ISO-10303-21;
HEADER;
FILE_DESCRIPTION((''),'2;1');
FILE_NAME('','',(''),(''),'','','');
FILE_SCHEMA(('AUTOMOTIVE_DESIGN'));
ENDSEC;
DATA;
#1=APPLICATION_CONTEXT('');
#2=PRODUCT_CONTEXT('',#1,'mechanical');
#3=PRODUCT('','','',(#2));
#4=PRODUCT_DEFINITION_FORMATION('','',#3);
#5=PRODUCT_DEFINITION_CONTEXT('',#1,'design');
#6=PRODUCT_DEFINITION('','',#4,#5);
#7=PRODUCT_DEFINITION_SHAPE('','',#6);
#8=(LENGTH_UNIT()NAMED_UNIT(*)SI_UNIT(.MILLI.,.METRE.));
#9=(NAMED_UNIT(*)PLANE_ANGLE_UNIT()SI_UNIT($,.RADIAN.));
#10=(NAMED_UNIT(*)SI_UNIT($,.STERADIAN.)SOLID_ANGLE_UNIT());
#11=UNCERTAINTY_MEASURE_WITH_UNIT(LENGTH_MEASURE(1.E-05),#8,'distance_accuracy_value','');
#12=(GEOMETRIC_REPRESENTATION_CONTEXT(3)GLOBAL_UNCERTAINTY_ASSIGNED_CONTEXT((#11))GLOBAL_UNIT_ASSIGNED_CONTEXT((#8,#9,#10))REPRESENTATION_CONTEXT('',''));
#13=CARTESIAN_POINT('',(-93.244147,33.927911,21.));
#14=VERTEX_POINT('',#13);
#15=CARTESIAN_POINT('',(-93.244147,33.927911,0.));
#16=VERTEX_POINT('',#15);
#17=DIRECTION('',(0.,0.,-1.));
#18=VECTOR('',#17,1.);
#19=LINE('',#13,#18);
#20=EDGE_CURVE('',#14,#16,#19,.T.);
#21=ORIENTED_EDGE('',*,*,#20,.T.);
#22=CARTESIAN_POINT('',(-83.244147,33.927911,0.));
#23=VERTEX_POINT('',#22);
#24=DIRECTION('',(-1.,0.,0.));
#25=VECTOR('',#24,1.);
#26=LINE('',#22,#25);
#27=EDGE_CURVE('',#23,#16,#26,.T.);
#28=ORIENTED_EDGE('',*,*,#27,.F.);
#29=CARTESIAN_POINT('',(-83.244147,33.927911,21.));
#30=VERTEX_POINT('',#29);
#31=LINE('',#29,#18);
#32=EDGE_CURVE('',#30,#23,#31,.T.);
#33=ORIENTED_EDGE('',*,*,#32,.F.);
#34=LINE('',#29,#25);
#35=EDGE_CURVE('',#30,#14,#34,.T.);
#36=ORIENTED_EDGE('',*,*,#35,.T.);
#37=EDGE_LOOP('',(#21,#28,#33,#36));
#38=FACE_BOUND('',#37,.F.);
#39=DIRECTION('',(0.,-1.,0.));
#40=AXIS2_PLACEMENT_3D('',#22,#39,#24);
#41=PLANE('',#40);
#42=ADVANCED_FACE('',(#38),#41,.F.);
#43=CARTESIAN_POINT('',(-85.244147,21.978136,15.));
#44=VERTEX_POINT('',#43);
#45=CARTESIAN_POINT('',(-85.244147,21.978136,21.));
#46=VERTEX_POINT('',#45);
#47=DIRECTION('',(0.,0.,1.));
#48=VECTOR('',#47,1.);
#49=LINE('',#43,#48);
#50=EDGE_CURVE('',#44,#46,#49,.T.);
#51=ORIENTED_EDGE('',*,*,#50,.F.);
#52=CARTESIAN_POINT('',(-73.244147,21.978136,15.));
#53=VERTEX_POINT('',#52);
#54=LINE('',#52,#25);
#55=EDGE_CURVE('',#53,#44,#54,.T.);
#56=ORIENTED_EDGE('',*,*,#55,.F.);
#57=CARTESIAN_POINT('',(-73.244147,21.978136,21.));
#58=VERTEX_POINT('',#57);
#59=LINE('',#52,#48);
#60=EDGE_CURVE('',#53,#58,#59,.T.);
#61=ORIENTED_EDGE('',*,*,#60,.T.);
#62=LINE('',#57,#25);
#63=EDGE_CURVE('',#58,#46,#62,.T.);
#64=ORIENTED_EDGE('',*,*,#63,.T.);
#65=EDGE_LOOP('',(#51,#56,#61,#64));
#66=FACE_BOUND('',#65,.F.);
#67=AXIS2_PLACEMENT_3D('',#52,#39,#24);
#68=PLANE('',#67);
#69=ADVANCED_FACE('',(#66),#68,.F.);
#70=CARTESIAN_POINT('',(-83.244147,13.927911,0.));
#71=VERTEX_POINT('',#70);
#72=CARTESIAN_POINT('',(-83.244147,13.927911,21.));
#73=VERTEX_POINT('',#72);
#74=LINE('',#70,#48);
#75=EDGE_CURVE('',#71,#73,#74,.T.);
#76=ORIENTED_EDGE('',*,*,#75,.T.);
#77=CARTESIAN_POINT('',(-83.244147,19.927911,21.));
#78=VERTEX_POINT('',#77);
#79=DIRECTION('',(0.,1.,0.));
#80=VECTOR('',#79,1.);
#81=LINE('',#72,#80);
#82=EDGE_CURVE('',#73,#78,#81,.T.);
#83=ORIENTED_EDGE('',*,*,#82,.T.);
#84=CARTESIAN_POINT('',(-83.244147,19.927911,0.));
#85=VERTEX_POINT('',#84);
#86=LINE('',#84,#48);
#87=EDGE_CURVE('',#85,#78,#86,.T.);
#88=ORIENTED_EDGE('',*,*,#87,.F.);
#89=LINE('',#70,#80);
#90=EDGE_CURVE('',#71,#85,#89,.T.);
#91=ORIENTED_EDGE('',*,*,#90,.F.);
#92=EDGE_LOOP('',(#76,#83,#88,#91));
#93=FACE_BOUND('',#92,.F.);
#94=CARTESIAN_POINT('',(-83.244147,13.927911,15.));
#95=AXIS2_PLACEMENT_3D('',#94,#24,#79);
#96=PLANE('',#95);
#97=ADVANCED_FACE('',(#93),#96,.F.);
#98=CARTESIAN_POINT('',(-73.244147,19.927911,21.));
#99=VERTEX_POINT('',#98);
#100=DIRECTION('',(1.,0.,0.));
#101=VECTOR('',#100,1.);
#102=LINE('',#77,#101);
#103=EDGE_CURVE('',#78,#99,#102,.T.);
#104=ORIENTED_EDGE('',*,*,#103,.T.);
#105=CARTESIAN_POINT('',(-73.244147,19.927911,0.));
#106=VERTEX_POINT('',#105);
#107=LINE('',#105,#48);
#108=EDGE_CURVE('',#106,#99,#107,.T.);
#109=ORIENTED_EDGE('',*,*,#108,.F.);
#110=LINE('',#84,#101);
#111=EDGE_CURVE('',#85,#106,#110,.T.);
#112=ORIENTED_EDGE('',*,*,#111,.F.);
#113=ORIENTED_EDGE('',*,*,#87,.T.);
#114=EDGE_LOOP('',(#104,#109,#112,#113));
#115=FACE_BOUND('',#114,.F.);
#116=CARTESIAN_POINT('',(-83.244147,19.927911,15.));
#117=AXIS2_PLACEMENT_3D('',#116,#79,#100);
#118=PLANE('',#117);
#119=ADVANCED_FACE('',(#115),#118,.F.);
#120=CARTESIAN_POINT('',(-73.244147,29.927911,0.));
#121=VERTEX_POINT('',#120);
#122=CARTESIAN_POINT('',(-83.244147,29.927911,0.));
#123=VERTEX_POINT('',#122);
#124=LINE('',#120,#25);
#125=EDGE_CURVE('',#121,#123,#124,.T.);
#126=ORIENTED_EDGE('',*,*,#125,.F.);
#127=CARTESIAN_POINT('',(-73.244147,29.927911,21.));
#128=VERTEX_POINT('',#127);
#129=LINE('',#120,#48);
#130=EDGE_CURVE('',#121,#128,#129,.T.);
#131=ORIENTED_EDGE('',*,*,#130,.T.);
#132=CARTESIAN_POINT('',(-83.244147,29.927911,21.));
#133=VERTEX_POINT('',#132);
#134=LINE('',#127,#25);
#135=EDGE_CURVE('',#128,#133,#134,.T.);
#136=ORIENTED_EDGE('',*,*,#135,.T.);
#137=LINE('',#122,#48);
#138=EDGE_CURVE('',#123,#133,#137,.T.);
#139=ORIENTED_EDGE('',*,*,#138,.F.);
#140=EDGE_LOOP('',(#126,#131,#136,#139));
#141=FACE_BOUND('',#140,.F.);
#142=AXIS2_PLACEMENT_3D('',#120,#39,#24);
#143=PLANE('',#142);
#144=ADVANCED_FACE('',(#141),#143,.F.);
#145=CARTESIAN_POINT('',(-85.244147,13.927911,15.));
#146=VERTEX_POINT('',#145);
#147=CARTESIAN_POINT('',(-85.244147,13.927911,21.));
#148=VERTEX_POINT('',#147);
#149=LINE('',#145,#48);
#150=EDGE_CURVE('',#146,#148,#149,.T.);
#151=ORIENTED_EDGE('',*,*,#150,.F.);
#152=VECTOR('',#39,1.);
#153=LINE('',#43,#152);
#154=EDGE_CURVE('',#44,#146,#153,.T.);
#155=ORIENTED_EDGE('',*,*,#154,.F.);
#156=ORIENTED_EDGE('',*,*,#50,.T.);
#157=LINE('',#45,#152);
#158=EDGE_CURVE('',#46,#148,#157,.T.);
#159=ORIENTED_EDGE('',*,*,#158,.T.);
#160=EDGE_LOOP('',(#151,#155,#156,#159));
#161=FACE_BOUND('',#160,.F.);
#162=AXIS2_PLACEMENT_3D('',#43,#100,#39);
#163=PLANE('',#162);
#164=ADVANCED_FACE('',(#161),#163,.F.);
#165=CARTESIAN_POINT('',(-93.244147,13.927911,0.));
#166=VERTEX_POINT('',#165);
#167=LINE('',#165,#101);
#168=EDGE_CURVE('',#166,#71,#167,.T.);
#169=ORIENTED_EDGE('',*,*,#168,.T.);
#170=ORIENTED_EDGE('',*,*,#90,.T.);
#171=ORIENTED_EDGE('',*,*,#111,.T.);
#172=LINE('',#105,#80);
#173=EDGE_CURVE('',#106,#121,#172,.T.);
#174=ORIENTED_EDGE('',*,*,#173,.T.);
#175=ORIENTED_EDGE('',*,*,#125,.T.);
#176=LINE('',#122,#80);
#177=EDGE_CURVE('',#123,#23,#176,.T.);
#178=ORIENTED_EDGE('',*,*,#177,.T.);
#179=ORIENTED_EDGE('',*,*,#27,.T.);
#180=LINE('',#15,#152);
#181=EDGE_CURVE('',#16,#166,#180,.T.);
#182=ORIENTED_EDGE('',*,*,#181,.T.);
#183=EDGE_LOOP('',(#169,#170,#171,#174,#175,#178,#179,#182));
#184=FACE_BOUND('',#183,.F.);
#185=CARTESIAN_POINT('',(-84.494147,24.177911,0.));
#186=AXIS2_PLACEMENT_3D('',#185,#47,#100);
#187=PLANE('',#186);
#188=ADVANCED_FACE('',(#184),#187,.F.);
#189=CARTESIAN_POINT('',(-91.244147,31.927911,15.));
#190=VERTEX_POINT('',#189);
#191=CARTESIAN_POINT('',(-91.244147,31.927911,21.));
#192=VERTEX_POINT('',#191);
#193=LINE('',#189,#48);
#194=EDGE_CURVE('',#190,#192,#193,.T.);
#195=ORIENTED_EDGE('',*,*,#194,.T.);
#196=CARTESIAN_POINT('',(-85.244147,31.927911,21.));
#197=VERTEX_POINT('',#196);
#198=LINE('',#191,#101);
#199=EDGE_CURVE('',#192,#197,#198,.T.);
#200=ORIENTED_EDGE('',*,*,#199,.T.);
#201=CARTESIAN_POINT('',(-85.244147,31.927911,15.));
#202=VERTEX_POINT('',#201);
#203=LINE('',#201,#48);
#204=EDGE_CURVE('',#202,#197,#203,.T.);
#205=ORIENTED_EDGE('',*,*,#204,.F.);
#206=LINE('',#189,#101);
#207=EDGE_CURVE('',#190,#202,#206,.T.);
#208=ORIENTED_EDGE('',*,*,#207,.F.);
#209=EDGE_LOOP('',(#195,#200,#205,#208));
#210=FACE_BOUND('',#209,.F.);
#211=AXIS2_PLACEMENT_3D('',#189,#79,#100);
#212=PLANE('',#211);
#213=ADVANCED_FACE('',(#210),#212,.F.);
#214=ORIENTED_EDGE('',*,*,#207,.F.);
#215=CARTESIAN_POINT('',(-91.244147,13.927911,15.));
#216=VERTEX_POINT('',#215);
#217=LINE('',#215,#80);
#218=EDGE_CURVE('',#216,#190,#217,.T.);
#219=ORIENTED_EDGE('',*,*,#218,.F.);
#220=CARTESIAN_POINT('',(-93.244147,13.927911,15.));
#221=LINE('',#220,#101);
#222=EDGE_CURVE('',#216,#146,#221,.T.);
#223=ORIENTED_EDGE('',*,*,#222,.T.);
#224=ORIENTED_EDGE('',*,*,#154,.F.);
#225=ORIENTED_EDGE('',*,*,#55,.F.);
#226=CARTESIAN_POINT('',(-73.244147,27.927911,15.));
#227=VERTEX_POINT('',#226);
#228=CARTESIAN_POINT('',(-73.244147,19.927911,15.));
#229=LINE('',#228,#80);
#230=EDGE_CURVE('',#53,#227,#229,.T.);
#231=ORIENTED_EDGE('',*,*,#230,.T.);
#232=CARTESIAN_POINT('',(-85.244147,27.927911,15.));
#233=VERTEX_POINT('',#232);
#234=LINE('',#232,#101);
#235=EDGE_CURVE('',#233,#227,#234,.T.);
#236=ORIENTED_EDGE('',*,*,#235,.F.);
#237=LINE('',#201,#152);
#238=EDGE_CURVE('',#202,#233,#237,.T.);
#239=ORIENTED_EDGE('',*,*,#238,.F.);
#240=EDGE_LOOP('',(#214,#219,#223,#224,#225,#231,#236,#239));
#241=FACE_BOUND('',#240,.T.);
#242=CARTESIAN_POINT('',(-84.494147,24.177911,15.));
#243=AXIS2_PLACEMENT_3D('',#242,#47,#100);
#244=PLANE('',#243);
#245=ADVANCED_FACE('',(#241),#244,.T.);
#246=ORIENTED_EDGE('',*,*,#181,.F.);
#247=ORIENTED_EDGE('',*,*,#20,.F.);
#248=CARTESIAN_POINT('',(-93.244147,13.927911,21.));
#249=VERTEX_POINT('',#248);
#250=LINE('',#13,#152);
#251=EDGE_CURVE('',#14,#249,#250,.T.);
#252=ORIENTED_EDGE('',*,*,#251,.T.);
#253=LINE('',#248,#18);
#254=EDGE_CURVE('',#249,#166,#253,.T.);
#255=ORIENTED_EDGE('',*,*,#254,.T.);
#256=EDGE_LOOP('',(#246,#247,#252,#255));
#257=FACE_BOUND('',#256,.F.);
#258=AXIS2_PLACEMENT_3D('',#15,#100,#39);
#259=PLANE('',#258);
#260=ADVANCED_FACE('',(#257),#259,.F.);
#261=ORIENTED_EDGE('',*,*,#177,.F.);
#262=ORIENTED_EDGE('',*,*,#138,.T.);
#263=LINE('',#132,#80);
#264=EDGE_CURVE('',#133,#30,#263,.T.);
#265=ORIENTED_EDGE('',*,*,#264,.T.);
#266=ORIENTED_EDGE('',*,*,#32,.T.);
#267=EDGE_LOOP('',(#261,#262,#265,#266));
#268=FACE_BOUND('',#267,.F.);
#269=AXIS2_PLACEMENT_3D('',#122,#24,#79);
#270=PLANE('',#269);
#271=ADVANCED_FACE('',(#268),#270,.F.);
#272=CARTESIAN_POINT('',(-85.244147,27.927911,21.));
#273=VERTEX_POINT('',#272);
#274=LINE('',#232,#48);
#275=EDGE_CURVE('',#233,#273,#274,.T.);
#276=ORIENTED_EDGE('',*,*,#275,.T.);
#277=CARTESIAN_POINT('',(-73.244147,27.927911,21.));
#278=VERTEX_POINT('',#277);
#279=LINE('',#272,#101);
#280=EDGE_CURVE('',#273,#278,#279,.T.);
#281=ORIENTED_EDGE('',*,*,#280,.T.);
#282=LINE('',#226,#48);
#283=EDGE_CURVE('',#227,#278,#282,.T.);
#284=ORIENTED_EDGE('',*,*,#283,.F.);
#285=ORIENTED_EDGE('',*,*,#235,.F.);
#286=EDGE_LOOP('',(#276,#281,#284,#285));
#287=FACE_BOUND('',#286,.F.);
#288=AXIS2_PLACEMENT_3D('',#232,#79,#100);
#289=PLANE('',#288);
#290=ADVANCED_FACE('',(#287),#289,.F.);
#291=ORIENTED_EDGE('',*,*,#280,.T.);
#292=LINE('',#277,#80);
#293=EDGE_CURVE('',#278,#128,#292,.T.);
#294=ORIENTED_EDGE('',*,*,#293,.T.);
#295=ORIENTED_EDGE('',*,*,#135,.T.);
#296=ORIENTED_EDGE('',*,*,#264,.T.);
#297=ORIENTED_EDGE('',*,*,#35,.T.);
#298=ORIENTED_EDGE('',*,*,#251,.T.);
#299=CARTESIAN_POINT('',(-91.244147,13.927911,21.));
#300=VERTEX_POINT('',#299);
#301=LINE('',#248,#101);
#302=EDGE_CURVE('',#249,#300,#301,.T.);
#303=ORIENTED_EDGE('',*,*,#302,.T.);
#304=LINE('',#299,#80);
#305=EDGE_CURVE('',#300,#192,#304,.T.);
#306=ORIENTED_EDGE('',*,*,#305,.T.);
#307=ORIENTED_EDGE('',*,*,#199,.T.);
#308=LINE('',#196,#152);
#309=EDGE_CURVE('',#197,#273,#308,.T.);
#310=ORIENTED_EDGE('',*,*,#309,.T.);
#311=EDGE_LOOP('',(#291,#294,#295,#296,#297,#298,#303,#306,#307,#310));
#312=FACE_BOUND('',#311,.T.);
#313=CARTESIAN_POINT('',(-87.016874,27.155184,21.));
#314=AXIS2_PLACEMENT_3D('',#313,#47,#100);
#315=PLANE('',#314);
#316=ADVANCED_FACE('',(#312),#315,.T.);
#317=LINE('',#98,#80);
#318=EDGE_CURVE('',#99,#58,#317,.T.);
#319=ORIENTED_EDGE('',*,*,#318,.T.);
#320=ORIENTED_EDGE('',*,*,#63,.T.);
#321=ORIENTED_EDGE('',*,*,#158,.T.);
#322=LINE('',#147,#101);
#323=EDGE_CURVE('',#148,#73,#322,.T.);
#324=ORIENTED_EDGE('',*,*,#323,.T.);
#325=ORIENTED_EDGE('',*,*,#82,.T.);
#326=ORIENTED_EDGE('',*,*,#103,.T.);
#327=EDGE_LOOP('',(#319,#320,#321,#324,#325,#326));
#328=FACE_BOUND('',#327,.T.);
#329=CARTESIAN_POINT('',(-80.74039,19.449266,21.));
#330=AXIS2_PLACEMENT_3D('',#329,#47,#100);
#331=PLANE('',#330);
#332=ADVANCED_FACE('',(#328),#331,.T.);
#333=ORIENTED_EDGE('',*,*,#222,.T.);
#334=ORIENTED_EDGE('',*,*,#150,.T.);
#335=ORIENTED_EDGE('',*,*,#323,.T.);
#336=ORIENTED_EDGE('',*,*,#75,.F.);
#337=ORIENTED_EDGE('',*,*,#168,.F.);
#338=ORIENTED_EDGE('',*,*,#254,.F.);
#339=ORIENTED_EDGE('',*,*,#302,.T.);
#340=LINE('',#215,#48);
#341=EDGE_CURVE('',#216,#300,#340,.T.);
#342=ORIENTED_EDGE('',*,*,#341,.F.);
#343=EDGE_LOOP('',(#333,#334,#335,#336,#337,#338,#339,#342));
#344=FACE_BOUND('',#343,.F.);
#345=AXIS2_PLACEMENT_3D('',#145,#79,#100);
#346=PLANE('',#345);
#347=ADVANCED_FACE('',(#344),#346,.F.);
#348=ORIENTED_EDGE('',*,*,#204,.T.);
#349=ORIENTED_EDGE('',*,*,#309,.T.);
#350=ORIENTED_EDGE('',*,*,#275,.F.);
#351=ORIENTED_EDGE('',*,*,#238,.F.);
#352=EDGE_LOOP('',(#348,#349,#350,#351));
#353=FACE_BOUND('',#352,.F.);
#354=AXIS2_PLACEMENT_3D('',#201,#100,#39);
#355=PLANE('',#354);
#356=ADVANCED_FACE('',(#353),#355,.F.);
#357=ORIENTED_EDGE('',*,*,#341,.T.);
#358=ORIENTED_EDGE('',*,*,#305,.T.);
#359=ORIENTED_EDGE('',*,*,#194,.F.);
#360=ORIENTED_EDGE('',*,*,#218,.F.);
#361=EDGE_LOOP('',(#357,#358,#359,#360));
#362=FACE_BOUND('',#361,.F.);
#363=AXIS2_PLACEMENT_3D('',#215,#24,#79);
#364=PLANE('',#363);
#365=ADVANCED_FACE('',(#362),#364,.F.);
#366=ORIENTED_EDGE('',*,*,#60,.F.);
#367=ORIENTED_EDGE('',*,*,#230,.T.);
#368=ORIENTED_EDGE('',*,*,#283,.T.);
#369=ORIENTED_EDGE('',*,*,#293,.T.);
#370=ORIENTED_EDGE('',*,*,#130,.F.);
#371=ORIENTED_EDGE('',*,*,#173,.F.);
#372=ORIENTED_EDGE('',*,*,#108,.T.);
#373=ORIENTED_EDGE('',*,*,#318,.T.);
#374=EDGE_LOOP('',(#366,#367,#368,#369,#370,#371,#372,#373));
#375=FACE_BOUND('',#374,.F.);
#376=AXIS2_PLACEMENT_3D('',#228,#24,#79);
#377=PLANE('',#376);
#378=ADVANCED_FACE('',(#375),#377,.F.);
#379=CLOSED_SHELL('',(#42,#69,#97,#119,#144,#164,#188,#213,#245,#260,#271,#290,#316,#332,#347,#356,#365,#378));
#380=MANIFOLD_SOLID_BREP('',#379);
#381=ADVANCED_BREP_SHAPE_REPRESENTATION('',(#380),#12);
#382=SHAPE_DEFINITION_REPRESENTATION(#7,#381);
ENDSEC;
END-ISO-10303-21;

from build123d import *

# Parameters (mm, degrees)
F1_DEPTH = 15
F3_DEPTH = 6


with BuildPart() as f1:
    # F0 (on Top) → F1 (new body)
    with BuildSketch(Plane.XY):
        Polygon((-85.244147, 33.927911), (-93.244147, 33.927911), (-93.244147, 19.927911), (-93.244147, 13.927911), (-83.244147, 13.927911), (-83.244147, 19.927911), (-73.244147, 19.927911), (-73.244147, 29.927911), (-83.244147, 29.927911), (-83.244147, 33.927911), align=None)
    extrude(amount=F1_DEPTH)

    # F2 (on face) → F3 (join)
    with BuildSketch(Plane.XY.offset(15)):
        Polygon((-85.244147, 19.927911), (-85.244147, 13.927911), (-83.244147, 13.927911), (-83.244147, 19.927911), (-73.244147, 19.927911), (-73.244147, 21.978136), (-85.244147, 21.978136), align=None)
        Polygon((-91.244147, 33.927911), (-93.244147, 33.927911), (-93.244147, 31.927911), (-93.244147, 13.927911), (-91.244147, 13.927911), (-91.244147, 31.927911), (-85.244147, 31.927911), (-85.244147, 29.927911), (-85.244147, 27.927911), (-73.244147, 27.927911), (-73.244147, 29.927911), (-83.244147, 29.927911), (-83.244147, 31.927911), (-83.244147, 33.927911), (-85.244147, 33.927911), align=None)
    extrude(amount=F3_DEPTH)


solid = f1.part
